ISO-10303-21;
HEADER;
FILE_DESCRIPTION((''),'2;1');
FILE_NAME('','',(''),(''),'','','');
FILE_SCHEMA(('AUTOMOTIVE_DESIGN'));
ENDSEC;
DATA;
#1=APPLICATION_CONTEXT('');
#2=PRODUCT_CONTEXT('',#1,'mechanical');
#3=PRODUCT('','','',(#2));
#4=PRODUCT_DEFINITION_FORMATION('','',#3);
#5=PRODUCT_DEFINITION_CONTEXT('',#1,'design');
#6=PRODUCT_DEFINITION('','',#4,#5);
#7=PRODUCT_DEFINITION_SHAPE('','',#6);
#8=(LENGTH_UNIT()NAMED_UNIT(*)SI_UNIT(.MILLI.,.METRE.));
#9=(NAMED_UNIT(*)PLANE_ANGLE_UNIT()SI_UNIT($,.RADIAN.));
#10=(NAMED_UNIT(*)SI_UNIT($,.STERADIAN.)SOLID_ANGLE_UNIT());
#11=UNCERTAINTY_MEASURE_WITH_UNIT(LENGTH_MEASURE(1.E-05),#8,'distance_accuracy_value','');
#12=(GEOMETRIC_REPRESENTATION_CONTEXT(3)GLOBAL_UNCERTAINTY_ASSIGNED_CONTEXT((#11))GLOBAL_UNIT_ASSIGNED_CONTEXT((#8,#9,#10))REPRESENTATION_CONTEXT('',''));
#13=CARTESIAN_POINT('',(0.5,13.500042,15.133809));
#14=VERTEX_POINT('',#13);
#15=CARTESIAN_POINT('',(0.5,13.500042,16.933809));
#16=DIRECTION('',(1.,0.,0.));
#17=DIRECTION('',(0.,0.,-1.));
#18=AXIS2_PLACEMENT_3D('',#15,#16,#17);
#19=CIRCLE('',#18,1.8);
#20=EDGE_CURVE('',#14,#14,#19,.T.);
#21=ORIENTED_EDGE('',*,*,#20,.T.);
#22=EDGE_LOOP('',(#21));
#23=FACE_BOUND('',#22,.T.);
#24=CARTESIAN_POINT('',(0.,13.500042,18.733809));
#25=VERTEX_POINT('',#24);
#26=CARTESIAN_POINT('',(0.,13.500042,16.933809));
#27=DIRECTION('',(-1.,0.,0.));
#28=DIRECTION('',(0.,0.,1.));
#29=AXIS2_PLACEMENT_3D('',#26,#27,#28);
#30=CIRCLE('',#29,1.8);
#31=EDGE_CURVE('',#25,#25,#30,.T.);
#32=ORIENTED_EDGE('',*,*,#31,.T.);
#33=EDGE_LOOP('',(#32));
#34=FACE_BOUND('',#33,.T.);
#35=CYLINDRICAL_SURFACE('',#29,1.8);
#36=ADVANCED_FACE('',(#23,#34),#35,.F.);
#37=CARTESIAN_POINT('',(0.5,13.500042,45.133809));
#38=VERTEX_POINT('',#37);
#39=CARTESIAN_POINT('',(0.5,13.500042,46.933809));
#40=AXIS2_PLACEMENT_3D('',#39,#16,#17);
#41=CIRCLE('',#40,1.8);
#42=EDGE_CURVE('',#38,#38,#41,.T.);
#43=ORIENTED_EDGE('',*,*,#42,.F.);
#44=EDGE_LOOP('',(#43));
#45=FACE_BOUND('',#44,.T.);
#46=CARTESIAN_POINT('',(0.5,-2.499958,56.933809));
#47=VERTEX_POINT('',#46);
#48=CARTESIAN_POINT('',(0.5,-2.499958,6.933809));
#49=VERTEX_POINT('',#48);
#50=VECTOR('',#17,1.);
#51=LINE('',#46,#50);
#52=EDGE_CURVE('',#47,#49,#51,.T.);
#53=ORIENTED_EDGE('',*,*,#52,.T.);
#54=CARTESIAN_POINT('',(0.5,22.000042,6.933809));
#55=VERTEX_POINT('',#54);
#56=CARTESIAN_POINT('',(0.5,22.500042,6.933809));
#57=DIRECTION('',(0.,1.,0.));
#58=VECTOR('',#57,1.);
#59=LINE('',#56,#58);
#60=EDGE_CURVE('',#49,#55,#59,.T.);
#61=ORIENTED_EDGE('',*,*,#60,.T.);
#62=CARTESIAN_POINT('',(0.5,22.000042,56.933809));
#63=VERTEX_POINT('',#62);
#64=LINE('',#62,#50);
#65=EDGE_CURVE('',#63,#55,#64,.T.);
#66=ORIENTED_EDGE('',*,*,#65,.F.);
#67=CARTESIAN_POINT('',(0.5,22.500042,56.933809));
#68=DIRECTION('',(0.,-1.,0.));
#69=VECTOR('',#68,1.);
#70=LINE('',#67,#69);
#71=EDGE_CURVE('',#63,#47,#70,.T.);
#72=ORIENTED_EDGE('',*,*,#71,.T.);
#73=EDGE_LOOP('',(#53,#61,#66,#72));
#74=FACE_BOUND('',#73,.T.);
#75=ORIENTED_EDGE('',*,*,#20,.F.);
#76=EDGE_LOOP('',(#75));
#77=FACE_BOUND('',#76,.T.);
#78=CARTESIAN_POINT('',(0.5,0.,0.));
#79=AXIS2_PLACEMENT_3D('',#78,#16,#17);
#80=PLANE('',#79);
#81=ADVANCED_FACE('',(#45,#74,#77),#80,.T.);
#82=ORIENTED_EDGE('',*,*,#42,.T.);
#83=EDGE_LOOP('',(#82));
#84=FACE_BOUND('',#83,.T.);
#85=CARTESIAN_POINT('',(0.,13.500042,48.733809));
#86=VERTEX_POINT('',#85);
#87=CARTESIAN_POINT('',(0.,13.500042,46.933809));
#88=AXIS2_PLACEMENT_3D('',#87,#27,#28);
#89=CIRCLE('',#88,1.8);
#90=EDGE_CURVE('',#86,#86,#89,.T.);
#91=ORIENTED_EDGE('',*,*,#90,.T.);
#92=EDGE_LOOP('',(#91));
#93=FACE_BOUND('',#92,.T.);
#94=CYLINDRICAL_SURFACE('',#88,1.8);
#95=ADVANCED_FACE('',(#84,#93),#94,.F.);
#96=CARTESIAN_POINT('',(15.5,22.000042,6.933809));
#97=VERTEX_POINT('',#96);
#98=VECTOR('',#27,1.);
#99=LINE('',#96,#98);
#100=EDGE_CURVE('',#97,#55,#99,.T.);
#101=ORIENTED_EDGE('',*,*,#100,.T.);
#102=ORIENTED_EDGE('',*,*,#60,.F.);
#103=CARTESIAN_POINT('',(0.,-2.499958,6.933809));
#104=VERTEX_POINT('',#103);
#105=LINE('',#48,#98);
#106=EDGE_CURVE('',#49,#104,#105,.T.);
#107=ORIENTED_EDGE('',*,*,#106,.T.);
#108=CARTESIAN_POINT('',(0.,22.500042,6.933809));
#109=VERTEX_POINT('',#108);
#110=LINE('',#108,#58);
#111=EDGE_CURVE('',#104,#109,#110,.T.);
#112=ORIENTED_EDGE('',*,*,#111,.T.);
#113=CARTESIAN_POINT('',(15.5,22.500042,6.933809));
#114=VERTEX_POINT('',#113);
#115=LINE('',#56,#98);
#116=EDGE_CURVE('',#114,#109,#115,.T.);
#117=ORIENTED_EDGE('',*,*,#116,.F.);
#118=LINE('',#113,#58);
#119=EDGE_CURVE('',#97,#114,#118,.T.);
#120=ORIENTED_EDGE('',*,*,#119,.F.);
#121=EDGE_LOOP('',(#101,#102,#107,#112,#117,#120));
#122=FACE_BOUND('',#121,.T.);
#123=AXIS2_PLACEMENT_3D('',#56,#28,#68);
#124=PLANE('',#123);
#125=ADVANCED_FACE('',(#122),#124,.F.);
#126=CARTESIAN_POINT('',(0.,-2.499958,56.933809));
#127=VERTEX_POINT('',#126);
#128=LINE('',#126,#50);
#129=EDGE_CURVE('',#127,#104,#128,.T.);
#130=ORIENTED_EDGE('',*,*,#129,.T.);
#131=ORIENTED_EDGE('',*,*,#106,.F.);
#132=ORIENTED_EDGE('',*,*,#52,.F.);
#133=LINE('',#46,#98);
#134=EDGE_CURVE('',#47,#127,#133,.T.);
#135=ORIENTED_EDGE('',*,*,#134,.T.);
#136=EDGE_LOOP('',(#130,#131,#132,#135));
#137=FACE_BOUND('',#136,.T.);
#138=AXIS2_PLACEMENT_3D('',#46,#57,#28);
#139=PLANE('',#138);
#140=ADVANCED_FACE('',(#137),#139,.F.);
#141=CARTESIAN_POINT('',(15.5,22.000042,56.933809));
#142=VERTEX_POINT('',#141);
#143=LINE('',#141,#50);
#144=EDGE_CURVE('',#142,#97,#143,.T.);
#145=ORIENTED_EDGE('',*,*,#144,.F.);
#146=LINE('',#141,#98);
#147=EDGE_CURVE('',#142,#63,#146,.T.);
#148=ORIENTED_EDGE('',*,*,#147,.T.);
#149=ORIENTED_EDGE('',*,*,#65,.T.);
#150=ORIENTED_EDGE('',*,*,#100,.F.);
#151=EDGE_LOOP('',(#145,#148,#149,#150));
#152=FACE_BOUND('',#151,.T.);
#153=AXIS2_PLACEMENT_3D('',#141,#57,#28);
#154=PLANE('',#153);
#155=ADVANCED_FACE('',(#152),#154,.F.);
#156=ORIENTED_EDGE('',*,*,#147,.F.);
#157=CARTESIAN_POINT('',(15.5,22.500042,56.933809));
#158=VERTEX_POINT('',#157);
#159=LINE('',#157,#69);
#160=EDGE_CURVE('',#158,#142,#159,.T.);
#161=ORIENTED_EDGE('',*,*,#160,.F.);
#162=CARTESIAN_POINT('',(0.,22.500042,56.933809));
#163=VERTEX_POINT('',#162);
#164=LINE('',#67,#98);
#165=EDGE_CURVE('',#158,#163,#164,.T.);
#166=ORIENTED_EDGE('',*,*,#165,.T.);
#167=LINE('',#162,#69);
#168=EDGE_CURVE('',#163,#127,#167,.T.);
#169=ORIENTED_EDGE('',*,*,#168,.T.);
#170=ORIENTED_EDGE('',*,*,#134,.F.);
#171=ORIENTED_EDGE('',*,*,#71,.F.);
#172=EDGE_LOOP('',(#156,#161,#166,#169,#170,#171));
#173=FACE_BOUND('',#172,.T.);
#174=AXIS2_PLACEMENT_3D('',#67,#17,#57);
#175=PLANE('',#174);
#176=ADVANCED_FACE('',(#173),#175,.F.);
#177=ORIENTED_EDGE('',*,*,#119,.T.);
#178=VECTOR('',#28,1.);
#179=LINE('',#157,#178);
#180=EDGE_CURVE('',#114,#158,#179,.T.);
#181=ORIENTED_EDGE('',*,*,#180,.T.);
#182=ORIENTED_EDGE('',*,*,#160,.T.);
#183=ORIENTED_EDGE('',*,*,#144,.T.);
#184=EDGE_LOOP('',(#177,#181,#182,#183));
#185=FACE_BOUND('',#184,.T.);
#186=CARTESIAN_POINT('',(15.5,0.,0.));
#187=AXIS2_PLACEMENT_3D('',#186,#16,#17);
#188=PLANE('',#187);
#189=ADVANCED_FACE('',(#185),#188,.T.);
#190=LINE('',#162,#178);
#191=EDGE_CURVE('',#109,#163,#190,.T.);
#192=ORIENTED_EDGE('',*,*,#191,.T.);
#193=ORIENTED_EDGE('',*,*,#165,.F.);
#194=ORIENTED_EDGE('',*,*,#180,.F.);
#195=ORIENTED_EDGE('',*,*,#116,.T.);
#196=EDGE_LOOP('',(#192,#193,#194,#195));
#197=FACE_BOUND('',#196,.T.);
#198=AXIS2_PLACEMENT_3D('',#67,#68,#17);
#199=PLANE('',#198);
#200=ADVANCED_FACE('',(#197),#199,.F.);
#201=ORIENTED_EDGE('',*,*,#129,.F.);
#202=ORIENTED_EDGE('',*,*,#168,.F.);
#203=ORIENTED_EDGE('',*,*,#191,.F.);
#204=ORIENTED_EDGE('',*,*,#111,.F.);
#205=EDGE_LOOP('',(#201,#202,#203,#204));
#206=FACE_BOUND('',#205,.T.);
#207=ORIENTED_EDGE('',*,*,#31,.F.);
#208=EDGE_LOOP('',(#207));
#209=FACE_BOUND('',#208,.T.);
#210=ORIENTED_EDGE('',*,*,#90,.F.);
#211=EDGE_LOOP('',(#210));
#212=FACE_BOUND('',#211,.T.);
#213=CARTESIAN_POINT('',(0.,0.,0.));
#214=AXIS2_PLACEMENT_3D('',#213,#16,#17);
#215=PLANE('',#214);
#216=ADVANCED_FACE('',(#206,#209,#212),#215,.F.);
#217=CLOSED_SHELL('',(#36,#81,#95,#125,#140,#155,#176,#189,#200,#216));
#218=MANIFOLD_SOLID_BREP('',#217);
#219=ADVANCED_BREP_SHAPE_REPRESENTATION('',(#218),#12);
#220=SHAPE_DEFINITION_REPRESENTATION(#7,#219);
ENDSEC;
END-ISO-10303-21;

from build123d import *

# Parameters (mm, degrees)
SKETCH_1_W                  = 50
SKETCH_1_H                  = 25
EXTRUDE_1_DEPTH             = 0.5
SKETCH_2_W                  = 50
SKETCH_2_H                  = 0.5
EXTRUDE_2_DEPTH             = 15
HOLE_WIZARD_3_6_3_6_1_D     = 3.6
HOLE_WIZARD_3_6_3_6_1_DEPTH = 10
HOLE_WIZARD_3_6_3_6_1_TIP   = 1.081549114


with BuildPart() as part:
    # Эскиз1 → Бобышка-Вытянуть1 (new body)
    with BuildSketch(Plane(origin=(0, 0, 0), x_dir=(0, 0, -1), z_dir=(1, 0, 0))):
        with Locations((-31.933808614, 10.000042269)):
            Rectangle(SKETCH_1_W, SKETCH_1_H)
    extrude(amount=EXTRUDE_1_DEPTH)

    # Эскиз2 → Бобышка-Вытянуть2 (add)
    with BuildSketch(Plane(origin=(0.5, 0, 0), x_dir=(0, 0, -1), z_dir=(1, 0, 0))):
        with Locations((-31.933808614, 22.250042269)):
            Rectangle(SKETCH_2_W, SKETCH_2_H)
    extrude(amount=EXTRUDE_2_DEPTH)

    # Диаметр отверстия Ø3.6 (3.6)1
    with Locations(Plane.ZY):
        with Locations((16.933808614, 13.500042269), (46.933808614, 13.500042269)):
            Hole(HOLE_WIZARD_3_6_3_6_1_D / 2, depth=HOLE_WIZARD_3_6_3_6_1_DEPTH)
            with Locations((0, 0, -(HOLE_WIZARD_3_6_3_6_1_DEPTH + HOLE_WIZARD_3_6_3_6_1_TIP / 2))):  # 118° drill point
                Cone(0, HOLE_WIZARD_3_6_3_6_1_D / 2, HOLE_WIZARD_3_6_3_6_1_TIP, mode=Mode.SUBTRACT)


solid = part.part
